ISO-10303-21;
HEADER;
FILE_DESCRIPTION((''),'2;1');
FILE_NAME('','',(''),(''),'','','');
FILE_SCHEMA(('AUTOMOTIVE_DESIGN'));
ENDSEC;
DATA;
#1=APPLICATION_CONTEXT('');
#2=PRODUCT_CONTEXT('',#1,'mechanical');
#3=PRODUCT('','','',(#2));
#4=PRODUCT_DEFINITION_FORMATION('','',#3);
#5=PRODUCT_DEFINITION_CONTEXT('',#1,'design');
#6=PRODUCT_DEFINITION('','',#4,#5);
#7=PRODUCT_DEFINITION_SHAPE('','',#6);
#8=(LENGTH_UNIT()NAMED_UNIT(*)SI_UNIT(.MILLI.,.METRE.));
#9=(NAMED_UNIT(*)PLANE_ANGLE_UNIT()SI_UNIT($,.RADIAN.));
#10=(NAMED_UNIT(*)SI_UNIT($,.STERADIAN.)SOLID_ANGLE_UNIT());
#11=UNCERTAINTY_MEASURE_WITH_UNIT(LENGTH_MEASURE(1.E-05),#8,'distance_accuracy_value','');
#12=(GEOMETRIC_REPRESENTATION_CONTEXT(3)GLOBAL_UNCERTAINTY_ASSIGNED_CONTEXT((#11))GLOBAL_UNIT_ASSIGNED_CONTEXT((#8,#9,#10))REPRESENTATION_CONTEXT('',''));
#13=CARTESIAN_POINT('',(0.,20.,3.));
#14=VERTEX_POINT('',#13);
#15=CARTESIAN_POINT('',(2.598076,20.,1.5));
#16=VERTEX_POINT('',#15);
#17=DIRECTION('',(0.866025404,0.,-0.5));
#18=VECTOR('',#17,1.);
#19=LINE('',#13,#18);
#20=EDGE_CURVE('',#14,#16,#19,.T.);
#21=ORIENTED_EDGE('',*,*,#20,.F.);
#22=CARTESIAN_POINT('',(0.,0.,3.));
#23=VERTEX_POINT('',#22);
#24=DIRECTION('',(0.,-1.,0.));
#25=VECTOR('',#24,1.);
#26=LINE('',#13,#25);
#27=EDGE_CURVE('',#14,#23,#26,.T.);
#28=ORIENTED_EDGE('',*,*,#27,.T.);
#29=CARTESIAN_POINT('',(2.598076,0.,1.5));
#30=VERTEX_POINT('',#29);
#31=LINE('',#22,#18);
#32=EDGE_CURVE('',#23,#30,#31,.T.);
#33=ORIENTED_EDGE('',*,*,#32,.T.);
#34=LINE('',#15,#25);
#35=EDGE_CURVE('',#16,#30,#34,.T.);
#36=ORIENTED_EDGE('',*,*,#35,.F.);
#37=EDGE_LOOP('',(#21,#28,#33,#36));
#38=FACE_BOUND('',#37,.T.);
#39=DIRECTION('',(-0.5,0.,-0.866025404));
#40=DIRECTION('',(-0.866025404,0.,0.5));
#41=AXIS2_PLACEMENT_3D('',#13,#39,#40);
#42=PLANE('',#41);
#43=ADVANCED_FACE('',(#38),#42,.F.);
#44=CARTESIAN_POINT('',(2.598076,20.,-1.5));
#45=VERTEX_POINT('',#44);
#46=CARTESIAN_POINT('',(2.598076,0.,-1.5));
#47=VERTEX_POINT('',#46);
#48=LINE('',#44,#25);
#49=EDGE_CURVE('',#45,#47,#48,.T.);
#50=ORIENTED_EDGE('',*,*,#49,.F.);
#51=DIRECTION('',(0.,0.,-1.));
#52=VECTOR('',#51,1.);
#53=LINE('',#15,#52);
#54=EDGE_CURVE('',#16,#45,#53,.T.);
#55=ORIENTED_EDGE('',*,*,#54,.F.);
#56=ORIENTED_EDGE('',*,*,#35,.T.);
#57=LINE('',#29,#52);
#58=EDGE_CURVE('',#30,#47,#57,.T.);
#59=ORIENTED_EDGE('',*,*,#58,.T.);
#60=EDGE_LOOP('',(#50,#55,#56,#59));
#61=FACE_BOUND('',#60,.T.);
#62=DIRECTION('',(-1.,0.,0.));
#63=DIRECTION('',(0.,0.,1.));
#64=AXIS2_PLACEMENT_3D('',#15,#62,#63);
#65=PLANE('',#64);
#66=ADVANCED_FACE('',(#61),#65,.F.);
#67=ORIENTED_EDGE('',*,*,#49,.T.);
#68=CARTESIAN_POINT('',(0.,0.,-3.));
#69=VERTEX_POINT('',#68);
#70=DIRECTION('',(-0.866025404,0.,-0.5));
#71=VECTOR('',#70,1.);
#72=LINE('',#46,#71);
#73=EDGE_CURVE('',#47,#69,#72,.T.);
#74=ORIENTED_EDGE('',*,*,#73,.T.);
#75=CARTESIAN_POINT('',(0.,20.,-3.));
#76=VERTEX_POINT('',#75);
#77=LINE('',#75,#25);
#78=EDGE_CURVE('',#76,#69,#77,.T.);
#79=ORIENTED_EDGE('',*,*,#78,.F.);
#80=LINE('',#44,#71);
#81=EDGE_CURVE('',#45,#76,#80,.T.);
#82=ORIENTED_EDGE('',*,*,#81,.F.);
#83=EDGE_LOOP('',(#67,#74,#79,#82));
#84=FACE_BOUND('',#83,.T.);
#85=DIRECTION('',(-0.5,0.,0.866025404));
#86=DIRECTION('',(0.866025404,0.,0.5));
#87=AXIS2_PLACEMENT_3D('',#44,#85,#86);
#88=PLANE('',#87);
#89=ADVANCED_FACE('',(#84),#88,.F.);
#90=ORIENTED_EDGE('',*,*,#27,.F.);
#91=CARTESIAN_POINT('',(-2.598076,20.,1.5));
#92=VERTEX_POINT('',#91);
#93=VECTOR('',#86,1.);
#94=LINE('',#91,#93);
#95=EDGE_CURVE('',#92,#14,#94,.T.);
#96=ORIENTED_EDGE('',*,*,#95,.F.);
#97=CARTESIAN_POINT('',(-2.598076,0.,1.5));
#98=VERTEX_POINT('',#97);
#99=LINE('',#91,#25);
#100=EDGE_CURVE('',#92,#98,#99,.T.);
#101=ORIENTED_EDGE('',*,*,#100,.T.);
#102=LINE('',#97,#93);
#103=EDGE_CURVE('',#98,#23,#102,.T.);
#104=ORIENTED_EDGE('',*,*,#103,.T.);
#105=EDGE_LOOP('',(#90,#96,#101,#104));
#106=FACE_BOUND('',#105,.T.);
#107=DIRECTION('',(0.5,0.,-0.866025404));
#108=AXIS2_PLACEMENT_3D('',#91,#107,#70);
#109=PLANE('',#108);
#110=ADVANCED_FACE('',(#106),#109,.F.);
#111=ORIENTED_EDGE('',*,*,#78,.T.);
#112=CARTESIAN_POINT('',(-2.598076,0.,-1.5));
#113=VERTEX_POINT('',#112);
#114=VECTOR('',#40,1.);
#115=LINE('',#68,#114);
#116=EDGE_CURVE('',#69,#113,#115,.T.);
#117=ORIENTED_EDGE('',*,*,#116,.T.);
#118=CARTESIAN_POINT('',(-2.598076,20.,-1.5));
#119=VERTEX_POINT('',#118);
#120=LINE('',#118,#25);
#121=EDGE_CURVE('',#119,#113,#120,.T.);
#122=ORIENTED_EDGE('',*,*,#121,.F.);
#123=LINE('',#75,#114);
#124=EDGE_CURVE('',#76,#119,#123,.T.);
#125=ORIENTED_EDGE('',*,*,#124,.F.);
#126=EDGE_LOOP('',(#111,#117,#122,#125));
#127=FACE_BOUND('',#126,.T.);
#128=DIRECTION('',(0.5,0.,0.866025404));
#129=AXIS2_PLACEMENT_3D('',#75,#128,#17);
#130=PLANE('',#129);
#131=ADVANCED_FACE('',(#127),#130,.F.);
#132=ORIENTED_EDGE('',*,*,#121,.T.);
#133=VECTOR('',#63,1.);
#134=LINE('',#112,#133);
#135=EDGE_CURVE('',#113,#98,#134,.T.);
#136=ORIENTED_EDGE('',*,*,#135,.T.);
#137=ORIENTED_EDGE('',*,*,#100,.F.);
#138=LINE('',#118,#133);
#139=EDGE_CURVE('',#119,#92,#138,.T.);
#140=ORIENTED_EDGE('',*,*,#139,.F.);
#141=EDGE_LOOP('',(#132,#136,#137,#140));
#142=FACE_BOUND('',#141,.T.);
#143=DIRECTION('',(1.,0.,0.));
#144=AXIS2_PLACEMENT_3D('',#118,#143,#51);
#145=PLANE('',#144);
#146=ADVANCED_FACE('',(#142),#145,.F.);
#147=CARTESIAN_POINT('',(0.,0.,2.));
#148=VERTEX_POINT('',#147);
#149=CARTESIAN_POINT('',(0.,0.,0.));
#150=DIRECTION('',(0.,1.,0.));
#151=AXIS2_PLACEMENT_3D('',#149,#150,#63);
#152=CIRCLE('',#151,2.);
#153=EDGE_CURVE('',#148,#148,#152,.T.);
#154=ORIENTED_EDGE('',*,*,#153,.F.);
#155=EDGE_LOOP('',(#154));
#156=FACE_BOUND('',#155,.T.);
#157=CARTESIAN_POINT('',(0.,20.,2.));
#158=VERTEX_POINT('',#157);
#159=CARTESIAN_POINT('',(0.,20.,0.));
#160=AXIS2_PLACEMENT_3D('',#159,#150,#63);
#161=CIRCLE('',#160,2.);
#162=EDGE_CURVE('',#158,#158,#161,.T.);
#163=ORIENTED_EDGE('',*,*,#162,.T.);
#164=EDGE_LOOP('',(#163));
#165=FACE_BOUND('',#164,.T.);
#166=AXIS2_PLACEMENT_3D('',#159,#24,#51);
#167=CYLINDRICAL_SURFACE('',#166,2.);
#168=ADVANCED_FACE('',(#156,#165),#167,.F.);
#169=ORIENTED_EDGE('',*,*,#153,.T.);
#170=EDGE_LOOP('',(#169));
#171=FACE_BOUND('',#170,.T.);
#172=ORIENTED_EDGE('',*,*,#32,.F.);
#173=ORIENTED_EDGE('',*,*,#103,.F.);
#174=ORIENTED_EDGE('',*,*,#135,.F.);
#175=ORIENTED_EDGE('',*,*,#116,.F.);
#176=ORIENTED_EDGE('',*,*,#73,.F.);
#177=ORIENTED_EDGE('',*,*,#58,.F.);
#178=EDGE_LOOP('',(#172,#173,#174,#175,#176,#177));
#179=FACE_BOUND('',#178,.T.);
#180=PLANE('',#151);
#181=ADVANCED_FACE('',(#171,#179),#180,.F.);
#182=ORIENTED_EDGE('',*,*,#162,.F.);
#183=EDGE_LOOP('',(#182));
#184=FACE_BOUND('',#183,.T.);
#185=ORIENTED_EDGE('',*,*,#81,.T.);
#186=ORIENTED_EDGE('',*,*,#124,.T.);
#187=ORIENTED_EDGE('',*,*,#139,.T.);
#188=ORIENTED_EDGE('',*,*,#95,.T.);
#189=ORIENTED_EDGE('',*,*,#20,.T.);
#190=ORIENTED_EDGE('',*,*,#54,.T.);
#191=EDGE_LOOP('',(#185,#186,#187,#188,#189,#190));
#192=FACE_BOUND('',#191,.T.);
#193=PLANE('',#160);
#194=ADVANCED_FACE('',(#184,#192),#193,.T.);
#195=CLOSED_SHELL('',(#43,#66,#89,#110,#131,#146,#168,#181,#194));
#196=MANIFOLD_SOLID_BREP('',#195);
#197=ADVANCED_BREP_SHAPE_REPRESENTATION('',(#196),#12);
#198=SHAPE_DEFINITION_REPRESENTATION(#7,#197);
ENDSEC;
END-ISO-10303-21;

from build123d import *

# Parameters (mm, degrees)
SKETCH_1_R      = 2
EXTRUDE_1_DEPTH = 20


with BuildPart() as part:
    # 草图1 → 凸台-拉伸1 (new body)
    with BuildSketch(Plane(origin=(0, 0, 0), x_dir=(1, 0, 0), z_dir=(0, 1, 0))):
        Polygon((0, 3), (-2.598076211, 1.5), (-2.598076211, -1.5), (0, -3), (2.598076211, -1.5), (2.598076211, 1.5), align=None)
        with Locations(Location((0, 0, 0), (0, 0, 270))):
            Circle(SKETCH_1_R, mode=Mode.SUBTRACT)
    extrude(amount=EXTRUDE_1_DEPTH)


solid = part.part
